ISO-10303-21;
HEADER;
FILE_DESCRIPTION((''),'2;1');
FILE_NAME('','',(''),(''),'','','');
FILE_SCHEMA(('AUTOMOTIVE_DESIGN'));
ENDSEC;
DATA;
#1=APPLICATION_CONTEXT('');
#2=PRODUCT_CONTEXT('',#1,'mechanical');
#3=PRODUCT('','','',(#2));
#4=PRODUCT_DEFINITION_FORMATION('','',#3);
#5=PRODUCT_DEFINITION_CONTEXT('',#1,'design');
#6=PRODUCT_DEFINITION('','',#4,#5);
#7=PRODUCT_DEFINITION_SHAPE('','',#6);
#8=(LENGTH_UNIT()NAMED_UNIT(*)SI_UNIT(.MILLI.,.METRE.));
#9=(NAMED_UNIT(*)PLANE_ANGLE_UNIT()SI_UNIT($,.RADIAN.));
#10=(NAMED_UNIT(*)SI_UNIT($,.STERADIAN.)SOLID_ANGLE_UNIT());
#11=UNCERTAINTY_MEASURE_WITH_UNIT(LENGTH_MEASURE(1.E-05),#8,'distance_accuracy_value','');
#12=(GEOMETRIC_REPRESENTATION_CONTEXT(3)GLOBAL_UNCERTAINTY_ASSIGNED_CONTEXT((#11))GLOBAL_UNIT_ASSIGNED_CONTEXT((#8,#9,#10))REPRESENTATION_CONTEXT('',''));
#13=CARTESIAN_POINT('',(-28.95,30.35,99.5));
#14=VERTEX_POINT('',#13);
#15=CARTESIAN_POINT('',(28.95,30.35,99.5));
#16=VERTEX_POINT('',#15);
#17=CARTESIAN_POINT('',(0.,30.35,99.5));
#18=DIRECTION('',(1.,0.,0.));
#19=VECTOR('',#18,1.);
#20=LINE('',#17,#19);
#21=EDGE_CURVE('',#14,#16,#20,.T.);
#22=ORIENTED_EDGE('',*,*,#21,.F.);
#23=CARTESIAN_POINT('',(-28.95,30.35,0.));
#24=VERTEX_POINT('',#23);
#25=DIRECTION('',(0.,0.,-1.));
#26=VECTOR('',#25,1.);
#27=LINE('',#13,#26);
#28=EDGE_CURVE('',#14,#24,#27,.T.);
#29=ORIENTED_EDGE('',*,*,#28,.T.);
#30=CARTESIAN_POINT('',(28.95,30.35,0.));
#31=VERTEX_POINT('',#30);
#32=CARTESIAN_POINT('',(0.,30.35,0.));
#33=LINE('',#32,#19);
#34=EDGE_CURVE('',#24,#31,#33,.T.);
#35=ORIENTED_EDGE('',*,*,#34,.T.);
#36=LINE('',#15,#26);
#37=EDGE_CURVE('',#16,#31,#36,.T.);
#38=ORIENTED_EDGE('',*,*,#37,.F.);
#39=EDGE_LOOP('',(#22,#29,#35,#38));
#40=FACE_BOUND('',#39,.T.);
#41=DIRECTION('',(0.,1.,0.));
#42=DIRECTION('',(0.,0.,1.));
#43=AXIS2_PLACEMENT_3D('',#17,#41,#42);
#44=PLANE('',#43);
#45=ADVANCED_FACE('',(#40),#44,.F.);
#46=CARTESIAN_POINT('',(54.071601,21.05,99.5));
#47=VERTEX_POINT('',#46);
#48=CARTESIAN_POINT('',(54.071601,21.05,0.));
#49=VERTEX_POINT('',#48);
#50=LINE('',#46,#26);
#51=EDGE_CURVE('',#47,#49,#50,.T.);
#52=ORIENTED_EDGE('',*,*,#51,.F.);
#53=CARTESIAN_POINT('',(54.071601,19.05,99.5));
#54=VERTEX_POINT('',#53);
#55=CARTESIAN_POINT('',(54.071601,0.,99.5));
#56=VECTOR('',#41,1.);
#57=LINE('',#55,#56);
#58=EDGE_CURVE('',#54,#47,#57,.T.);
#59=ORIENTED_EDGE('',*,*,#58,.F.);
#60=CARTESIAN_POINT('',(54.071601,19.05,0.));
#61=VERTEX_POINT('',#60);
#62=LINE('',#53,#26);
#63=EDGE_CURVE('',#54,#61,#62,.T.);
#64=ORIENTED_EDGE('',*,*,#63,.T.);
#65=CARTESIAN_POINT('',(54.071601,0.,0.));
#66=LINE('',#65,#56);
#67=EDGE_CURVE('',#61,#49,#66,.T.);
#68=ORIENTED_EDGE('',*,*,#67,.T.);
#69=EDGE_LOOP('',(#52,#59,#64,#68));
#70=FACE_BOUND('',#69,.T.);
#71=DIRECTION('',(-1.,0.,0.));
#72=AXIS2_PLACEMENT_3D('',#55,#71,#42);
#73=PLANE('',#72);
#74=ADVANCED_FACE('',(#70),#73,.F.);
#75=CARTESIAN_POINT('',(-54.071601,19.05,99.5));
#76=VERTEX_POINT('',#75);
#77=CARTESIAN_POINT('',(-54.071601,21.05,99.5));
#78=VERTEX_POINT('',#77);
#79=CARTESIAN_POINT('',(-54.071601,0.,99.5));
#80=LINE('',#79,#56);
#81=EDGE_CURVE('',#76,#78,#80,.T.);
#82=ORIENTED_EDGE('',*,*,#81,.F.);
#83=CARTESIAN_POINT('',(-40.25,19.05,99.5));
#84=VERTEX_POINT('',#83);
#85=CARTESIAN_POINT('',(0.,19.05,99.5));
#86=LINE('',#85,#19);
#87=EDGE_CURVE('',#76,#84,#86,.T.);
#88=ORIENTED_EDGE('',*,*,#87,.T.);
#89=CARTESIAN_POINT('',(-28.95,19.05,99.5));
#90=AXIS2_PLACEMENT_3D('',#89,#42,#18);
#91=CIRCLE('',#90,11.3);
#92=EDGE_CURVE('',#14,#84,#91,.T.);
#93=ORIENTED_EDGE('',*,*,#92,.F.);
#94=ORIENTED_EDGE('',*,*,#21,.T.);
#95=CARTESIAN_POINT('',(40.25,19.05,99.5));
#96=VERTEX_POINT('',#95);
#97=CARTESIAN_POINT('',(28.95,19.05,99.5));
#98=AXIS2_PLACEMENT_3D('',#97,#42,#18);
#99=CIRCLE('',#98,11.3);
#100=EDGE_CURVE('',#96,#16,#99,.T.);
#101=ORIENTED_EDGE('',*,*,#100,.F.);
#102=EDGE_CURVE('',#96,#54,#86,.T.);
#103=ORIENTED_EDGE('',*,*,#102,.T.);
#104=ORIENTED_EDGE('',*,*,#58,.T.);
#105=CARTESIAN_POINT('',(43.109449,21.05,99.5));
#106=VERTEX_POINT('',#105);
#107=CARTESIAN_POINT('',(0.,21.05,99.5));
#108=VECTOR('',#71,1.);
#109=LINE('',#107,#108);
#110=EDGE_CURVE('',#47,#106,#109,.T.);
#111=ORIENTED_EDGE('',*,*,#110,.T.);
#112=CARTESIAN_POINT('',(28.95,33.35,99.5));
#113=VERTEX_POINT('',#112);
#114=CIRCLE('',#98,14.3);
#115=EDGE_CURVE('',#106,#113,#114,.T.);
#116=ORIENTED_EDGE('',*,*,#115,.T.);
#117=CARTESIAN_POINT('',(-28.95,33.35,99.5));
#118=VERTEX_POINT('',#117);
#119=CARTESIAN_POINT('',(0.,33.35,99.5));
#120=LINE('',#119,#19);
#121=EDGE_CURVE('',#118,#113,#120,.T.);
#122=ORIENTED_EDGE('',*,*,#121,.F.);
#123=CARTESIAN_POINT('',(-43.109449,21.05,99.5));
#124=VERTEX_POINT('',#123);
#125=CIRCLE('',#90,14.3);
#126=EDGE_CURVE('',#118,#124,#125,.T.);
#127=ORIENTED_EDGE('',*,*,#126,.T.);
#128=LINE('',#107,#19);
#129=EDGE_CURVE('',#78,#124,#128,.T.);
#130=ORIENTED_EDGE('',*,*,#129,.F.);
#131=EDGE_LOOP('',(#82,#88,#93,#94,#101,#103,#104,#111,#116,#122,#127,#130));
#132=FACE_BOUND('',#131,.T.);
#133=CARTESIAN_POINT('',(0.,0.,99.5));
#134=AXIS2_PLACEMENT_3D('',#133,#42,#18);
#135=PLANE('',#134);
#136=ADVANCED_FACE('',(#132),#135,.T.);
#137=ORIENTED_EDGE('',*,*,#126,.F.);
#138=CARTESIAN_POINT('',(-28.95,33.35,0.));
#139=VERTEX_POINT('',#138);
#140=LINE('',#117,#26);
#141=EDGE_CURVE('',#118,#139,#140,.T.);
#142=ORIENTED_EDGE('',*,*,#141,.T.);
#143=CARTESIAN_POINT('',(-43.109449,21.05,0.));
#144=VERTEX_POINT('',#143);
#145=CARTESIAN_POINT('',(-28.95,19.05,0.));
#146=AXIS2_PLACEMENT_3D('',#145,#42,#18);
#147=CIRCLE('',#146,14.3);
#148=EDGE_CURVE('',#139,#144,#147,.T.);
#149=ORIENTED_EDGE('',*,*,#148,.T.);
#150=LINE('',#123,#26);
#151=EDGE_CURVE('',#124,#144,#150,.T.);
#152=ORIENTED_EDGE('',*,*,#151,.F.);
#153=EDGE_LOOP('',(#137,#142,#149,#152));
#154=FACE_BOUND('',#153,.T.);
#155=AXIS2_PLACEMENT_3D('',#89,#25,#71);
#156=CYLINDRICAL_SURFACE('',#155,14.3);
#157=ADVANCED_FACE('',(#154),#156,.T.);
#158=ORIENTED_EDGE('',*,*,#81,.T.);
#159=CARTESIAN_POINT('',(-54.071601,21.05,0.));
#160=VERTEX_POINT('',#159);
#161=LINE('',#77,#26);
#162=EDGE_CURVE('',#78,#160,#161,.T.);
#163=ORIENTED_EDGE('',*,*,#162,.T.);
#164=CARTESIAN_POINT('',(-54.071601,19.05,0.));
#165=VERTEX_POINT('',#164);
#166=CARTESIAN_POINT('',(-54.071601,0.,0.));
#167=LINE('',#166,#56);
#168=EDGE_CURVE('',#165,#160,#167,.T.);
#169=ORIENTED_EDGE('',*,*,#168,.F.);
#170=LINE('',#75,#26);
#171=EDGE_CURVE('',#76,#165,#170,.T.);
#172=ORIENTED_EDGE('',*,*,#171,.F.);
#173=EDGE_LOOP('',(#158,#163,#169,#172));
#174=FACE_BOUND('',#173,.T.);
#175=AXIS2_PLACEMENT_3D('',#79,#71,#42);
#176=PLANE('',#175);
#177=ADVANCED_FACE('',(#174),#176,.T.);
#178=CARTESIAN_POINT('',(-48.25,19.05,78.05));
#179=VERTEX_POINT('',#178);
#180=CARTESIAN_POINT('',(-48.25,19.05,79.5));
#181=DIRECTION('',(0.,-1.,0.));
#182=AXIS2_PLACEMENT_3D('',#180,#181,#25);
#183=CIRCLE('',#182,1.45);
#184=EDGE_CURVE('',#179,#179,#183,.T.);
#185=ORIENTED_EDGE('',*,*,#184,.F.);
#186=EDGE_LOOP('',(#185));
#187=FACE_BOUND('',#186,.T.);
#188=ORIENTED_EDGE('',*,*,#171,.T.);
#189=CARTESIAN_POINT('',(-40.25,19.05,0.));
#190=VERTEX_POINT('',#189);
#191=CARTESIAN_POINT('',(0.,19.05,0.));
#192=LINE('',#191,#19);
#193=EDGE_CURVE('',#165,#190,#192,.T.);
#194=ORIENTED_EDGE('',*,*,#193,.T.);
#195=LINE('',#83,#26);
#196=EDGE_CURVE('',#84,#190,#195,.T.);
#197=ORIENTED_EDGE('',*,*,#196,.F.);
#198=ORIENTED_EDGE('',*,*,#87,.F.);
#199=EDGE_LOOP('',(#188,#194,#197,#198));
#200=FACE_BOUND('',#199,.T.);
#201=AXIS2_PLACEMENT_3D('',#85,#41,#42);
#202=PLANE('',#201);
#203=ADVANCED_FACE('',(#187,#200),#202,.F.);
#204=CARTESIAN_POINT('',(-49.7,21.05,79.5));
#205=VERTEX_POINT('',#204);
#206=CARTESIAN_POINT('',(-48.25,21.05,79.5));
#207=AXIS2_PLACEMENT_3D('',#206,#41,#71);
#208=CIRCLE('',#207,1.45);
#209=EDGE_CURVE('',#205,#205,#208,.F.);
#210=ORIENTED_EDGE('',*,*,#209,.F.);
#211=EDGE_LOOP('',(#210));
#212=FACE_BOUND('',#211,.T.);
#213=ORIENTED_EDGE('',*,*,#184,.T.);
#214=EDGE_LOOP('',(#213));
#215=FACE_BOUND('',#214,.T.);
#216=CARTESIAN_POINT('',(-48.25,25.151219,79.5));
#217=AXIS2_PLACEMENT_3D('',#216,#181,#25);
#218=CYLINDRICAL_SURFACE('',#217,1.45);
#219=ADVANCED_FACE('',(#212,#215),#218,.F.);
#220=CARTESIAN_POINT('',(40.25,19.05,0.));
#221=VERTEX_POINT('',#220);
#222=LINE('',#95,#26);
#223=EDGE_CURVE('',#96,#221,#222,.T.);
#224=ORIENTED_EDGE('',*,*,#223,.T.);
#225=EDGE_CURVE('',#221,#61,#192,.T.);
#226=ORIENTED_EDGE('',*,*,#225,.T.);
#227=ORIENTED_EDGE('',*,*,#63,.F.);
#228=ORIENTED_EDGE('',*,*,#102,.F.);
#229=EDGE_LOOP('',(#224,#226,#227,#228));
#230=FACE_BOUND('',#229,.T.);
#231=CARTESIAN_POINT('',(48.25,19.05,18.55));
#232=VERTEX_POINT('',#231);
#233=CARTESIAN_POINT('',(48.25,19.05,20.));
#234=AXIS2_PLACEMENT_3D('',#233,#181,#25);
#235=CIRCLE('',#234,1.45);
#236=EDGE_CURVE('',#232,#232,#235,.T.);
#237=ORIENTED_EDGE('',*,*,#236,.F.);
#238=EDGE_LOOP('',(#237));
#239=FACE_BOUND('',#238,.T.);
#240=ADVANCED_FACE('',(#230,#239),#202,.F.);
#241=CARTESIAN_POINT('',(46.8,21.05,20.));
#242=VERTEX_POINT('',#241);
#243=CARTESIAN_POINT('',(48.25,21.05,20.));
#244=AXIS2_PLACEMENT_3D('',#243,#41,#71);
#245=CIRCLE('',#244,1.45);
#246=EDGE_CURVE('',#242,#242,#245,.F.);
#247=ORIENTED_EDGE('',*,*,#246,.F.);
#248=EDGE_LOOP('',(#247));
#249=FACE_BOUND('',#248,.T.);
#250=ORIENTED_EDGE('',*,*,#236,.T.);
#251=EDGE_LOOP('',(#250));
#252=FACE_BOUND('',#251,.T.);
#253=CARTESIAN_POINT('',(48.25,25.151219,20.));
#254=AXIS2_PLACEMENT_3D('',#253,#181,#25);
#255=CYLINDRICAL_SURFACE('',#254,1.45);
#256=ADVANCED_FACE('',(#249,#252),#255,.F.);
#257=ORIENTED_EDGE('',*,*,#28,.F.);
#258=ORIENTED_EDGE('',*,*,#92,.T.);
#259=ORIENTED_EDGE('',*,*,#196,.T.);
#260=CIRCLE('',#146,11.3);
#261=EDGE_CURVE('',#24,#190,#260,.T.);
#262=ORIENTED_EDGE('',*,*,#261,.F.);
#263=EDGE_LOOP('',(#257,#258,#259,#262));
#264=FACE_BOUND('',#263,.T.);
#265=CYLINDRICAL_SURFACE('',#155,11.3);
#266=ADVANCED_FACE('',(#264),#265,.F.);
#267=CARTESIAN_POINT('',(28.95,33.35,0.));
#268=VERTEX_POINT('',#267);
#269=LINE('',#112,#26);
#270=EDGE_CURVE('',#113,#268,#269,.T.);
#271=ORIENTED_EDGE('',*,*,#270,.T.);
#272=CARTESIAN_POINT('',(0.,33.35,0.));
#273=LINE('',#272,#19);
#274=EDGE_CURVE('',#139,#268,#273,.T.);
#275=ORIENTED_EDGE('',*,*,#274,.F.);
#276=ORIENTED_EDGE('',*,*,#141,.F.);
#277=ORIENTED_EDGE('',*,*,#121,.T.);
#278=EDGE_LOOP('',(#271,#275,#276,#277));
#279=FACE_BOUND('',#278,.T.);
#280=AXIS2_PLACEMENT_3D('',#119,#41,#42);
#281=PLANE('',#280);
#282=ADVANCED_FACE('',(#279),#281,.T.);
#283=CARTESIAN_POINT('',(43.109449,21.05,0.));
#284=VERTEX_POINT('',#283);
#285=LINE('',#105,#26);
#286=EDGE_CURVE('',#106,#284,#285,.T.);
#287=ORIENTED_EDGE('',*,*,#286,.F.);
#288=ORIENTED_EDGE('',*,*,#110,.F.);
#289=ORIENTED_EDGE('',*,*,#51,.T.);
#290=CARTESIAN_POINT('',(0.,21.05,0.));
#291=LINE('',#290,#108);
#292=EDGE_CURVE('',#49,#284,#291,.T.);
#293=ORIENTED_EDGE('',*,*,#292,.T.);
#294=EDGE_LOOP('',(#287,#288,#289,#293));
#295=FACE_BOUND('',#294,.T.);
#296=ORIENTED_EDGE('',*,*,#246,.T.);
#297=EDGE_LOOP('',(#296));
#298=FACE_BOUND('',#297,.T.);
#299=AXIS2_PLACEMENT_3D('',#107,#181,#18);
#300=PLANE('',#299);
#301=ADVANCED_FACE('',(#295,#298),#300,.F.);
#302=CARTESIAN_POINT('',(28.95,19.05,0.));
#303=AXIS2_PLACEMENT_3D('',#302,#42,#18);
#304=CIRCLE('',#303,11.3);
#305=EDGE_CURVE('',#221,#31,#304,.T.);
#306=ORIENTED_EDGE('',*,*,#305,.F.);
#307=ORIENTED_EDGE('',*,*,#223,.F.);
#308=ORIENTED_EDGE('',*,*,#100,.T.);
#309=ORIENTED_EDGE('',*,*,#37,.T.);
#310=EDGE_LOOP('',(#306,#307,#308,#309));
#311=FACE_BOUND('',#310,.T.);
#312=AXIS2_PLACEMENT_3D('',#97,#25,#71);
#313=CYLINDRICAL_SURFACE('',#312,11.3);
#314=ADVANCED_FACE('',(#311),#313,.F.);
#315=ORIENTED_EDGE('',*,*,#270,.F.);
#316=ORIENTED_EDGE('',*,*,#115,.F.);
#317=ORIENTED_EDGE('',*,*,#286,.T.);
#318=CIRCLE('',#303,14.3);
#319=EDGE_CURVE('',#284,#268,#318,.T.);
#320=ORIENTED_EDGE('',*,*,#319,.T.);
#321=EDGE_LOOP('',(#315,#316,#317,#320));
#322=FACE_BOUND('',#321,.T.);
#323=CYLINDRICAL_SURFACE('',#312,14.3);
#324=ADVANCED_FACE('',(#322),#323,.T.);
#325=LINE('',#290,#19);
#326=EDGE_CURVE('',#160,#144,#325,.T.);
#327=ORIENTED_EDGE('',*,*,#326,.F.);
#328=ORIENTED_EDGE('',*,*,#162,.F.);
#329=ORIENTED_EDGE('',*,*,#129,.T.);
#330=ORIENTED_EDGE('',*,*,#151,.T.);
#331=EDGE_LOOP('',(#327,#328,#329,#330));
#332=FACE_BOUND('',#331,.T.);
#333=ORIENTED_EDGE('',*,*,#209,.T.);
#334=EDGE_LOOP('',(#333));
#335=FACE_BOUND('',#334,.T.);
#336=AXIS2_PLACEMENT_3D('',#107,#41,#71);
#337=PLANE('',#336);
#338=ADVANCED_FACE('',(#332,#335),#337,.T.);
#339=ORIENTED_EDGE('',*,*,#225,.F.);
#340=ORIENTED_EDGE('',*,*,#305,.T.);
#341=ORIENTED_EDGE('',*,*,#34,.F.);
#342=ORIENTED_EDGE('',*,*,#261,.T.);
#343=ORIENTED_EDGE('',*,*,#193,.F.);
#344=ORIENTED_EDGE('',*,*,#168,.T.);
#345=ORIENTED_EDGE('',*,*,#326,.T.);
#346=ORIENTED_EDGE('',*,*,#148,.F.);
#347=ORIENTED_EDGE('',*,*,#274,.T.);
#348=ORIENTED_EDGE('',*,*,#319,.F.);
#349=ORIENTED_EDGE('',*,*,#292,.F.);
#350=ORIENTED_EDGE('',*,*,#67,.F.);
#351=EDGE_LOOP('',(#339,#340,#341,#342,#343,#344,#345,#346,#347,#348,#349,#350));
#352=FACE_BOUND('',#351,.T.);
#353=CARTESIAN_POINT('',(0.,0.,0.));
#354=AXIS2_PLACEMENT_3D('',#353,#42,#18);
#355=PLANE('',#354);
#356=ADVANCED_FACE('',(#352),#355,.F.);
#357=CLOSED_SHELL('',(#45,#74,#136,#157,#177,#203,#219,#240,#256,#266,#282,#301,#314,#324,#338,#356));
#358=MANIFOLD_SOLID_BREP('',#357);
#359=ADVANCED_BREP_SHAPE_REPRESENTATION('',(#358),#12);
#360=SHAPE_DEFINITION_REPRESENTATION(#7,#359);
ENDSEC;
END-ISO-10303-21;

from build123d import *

# Parameters (mm, degrees)
BOSS_EXTRUDE1_DEPTH = 99.5
SKETCH3_R           = 1.45
CUT_EXTRUDE1_DEPTH  = 2


with BuildPart() as part:
    # Sketch1 → Boss-Extrude1 (new body)
    with BuildSketch(Plane.XY):
        with BuildLine():
            Line((-43.109449142, 21.05), (-40.071600604, 21.05))
            ThreePointArc((-40.071600604, 21.05), (-36.198793003, 27.718621574), (-28.95, 30.35))
            Line((-28.95, 30.35), (28.95, 30.35))
            ThreePointArc((28.95, 30.35), (36.198793003, 27.718621574), (40.071600604, 21.05))
            Line((40.071600604, 21.05), (43.109449142, 21.05))
            ThreePointArc((43.109449142, 21.05), (38.327899552, 29.845600956), (28.95, 33.35))
            Line((28.95, 33.35), (-28.95, 33.35))
            ThreePointArc((-28.95, 33.35), (-38.327899552, 29.845600956), (-43.109449142, 21.05))
        make_face()
        with BuildLine():
            Line((-43.25, 19.05), (-40.25, 19.05))
            ThreePointArc((-40.25, 19.05), (-40.205311787, 20.053970411), (-40.071600604, 21.05))
            Line((-40.071600604, 21.05), (-43.109449142, 21.05))
            ThreePointArc((-43.109449142, 21.05), (-43.214819009, 20.052466277), (-43.25, 19.05))
        make_face()
        with BuildLine():
            Line((-50.25, 19.05), (-43.25, 19.05))
            ThreePointArc((-43.25, 19.05), (-43.214819009, 20.052466277), (-43.109449142, 21.05))
            Line((-43.109449142, 21.05), (-54.071600604, 21.05))
            Line((-54.071600604, 21.05), (-54.071600604, 19.05))
            Line((-54.071600604, 19.05), (-50.25, 19.05))
        make_face()
        with BuildLine():
            ThreePointArc((40.071600604, 21.05), (40.205311787, 20.053970411), (40.25, 19.05))
            Line((40.25, 19.05), (43.25, 19.05))
            ThreePointArc((43.25, 19.05), (43.214819009, 20.052466277), (43.109449142, 21.05))
            Line((43.109449142, 21.05), (40.071600604, 21.05))
        make_face()
        with BuildLine():
            ThreePointArc((43.109449142, 21.05), (43.214819009, 20.052466277), (43.25, 19.05))
            Line((43.25, 19.05), (50.25, 19.05))
            Line((50.25, 19.05), (54.071600604, 19.05))
            Line((54.071600604, 19.05), (54.071600604, 21.05))
            Line((54.071600604, 21.05), (43.109449142, 21.05))
        make_face()
    extrude(amount=BOSS_EXTRUDE1_DEPTH)

    # Sketch3 → Cut-Extrude1 (cut)
    with BuildSketch(Plane.XZ.offset(-19.05)):
        with Locations((-48.25, 79.5)):
            Circle(SKETCH3_R)
        with Locations((48.25, 20)):
            Circle(SKETCH3_R)
    extrude(amount=-CUT_EXTRUDE1_DEPTH, mode=Mode.SUBTRACT)


solid = part.part
